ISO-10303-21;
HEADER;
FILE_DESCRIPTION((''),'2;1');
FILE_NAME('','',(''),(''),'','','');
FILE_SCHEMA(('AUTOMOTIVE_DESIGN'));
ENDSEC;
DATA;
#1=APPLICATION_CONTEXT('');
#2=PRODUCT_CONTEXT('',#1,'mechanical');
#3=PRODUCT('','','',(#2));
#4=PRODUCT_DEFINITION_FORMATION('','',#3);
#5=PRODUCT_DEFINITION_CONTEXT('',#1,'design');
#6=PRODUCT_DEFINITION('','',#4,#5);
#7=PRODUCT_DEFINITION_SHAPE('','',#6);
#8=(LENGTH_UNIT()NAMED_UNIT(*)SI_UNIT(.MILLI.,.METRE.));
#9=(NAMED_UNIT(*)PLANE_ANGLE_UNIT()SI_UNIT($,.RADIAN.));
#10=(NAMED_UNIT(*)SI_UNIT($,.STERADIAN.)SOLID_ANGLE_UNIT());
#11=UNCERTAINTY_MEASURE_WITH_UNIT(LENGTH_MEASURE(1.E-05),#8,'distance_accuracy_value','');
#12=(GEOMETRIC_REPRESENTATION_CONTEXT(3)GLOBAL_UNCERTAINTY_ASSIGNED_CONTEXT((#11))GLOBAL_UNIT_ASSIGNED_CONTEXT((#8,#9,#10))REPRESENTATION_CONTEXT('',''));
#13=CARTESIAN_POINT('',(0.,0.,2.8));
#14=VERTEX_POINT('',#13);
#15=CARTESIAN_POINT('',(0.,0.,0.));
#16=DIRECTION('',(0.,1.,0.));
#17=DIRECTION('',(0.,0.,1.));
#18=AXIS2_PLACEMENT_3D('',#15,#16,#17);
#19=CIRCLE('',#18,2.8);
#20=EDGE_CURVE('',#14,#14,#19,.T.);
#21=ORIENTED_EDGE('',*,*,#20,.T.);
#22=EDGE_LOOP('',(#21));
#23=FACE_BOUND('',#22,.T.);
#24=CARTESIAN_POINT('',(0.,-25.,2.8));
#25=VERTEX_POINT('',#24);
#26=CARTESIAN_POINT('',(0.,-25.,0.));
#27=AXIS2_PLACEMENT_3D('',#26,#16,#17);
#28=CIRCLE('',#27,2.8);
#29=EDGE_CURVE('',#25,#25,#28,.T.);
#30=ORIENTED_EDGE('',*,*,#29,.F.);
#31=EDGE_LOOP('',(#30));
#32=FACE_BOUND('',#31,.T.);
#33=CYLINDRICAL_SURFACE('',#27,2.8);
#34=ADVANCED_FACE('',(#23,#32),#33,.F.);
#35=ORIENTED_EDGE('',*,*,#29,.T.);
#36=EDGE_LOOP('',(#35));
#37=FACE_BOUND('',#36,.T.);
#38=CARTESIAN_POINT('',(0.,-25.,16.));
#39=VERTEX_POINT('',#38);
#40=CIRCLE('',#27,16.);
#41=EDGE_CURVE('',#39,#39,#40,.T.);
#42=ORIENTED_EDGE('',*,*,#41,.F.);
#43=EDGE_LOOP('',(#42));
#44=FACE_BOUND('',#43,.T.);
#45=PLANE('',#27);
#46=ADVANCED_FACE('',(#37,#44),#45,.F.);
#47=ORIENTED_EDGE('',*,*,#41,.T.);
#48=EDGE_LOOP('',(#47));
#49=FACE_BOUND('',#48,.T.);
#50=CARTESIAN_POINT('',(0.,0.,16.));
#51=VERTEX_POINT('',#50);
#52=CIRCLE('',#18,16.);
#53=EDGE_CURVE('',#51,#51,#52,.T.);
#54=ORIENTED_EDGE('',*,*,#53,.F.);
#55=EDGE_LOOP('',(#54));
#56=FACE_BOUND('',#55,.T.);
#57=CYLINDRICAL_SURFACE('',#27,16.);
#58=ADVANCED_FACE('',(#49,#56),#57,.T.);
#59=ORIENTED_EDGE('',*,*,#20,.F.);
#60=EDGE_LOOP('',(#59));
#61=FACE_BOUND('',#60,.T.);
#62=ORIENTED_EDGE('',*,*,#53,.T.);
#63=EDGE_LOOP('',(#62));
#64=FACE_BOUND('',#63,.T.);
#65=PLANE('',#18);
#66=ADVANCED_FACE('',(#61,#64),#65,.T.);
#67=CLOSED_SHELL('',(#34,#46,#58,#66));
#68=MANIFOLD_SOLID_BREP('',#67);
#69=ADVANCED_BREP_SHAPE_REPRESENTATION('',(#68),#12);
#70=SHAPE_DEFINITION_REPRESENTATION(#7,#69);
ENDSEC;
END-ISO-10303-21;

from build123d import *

# Parameters (mm, degrees)
SKETCH1_R           = 16
SKETCH1_R_2         = 2.8
BOSS_EXTRUDE1_DEPTH = 25


with BuildPart() as part:
    # Sketch1 → Boss-Extrude1 (new body)
    with BuildSketch(Plane(origin=(0, 0, 0), x_dir=(1, 0, 0), z_dir=(0, 1, 0))):
        with Locations(Location((0, 0, 0), (0, 0, 270))):
            Circle(SKETCH1_R)
        with Locations(Location((0, 0, 0), (0, 0, 270))):
            Circle(SKETCH1_R_2, mode=Mode.SUBTRACT)
    extrude(amount=-BOSS_EXTRUDE1_DEPTH)


solid = part.part
